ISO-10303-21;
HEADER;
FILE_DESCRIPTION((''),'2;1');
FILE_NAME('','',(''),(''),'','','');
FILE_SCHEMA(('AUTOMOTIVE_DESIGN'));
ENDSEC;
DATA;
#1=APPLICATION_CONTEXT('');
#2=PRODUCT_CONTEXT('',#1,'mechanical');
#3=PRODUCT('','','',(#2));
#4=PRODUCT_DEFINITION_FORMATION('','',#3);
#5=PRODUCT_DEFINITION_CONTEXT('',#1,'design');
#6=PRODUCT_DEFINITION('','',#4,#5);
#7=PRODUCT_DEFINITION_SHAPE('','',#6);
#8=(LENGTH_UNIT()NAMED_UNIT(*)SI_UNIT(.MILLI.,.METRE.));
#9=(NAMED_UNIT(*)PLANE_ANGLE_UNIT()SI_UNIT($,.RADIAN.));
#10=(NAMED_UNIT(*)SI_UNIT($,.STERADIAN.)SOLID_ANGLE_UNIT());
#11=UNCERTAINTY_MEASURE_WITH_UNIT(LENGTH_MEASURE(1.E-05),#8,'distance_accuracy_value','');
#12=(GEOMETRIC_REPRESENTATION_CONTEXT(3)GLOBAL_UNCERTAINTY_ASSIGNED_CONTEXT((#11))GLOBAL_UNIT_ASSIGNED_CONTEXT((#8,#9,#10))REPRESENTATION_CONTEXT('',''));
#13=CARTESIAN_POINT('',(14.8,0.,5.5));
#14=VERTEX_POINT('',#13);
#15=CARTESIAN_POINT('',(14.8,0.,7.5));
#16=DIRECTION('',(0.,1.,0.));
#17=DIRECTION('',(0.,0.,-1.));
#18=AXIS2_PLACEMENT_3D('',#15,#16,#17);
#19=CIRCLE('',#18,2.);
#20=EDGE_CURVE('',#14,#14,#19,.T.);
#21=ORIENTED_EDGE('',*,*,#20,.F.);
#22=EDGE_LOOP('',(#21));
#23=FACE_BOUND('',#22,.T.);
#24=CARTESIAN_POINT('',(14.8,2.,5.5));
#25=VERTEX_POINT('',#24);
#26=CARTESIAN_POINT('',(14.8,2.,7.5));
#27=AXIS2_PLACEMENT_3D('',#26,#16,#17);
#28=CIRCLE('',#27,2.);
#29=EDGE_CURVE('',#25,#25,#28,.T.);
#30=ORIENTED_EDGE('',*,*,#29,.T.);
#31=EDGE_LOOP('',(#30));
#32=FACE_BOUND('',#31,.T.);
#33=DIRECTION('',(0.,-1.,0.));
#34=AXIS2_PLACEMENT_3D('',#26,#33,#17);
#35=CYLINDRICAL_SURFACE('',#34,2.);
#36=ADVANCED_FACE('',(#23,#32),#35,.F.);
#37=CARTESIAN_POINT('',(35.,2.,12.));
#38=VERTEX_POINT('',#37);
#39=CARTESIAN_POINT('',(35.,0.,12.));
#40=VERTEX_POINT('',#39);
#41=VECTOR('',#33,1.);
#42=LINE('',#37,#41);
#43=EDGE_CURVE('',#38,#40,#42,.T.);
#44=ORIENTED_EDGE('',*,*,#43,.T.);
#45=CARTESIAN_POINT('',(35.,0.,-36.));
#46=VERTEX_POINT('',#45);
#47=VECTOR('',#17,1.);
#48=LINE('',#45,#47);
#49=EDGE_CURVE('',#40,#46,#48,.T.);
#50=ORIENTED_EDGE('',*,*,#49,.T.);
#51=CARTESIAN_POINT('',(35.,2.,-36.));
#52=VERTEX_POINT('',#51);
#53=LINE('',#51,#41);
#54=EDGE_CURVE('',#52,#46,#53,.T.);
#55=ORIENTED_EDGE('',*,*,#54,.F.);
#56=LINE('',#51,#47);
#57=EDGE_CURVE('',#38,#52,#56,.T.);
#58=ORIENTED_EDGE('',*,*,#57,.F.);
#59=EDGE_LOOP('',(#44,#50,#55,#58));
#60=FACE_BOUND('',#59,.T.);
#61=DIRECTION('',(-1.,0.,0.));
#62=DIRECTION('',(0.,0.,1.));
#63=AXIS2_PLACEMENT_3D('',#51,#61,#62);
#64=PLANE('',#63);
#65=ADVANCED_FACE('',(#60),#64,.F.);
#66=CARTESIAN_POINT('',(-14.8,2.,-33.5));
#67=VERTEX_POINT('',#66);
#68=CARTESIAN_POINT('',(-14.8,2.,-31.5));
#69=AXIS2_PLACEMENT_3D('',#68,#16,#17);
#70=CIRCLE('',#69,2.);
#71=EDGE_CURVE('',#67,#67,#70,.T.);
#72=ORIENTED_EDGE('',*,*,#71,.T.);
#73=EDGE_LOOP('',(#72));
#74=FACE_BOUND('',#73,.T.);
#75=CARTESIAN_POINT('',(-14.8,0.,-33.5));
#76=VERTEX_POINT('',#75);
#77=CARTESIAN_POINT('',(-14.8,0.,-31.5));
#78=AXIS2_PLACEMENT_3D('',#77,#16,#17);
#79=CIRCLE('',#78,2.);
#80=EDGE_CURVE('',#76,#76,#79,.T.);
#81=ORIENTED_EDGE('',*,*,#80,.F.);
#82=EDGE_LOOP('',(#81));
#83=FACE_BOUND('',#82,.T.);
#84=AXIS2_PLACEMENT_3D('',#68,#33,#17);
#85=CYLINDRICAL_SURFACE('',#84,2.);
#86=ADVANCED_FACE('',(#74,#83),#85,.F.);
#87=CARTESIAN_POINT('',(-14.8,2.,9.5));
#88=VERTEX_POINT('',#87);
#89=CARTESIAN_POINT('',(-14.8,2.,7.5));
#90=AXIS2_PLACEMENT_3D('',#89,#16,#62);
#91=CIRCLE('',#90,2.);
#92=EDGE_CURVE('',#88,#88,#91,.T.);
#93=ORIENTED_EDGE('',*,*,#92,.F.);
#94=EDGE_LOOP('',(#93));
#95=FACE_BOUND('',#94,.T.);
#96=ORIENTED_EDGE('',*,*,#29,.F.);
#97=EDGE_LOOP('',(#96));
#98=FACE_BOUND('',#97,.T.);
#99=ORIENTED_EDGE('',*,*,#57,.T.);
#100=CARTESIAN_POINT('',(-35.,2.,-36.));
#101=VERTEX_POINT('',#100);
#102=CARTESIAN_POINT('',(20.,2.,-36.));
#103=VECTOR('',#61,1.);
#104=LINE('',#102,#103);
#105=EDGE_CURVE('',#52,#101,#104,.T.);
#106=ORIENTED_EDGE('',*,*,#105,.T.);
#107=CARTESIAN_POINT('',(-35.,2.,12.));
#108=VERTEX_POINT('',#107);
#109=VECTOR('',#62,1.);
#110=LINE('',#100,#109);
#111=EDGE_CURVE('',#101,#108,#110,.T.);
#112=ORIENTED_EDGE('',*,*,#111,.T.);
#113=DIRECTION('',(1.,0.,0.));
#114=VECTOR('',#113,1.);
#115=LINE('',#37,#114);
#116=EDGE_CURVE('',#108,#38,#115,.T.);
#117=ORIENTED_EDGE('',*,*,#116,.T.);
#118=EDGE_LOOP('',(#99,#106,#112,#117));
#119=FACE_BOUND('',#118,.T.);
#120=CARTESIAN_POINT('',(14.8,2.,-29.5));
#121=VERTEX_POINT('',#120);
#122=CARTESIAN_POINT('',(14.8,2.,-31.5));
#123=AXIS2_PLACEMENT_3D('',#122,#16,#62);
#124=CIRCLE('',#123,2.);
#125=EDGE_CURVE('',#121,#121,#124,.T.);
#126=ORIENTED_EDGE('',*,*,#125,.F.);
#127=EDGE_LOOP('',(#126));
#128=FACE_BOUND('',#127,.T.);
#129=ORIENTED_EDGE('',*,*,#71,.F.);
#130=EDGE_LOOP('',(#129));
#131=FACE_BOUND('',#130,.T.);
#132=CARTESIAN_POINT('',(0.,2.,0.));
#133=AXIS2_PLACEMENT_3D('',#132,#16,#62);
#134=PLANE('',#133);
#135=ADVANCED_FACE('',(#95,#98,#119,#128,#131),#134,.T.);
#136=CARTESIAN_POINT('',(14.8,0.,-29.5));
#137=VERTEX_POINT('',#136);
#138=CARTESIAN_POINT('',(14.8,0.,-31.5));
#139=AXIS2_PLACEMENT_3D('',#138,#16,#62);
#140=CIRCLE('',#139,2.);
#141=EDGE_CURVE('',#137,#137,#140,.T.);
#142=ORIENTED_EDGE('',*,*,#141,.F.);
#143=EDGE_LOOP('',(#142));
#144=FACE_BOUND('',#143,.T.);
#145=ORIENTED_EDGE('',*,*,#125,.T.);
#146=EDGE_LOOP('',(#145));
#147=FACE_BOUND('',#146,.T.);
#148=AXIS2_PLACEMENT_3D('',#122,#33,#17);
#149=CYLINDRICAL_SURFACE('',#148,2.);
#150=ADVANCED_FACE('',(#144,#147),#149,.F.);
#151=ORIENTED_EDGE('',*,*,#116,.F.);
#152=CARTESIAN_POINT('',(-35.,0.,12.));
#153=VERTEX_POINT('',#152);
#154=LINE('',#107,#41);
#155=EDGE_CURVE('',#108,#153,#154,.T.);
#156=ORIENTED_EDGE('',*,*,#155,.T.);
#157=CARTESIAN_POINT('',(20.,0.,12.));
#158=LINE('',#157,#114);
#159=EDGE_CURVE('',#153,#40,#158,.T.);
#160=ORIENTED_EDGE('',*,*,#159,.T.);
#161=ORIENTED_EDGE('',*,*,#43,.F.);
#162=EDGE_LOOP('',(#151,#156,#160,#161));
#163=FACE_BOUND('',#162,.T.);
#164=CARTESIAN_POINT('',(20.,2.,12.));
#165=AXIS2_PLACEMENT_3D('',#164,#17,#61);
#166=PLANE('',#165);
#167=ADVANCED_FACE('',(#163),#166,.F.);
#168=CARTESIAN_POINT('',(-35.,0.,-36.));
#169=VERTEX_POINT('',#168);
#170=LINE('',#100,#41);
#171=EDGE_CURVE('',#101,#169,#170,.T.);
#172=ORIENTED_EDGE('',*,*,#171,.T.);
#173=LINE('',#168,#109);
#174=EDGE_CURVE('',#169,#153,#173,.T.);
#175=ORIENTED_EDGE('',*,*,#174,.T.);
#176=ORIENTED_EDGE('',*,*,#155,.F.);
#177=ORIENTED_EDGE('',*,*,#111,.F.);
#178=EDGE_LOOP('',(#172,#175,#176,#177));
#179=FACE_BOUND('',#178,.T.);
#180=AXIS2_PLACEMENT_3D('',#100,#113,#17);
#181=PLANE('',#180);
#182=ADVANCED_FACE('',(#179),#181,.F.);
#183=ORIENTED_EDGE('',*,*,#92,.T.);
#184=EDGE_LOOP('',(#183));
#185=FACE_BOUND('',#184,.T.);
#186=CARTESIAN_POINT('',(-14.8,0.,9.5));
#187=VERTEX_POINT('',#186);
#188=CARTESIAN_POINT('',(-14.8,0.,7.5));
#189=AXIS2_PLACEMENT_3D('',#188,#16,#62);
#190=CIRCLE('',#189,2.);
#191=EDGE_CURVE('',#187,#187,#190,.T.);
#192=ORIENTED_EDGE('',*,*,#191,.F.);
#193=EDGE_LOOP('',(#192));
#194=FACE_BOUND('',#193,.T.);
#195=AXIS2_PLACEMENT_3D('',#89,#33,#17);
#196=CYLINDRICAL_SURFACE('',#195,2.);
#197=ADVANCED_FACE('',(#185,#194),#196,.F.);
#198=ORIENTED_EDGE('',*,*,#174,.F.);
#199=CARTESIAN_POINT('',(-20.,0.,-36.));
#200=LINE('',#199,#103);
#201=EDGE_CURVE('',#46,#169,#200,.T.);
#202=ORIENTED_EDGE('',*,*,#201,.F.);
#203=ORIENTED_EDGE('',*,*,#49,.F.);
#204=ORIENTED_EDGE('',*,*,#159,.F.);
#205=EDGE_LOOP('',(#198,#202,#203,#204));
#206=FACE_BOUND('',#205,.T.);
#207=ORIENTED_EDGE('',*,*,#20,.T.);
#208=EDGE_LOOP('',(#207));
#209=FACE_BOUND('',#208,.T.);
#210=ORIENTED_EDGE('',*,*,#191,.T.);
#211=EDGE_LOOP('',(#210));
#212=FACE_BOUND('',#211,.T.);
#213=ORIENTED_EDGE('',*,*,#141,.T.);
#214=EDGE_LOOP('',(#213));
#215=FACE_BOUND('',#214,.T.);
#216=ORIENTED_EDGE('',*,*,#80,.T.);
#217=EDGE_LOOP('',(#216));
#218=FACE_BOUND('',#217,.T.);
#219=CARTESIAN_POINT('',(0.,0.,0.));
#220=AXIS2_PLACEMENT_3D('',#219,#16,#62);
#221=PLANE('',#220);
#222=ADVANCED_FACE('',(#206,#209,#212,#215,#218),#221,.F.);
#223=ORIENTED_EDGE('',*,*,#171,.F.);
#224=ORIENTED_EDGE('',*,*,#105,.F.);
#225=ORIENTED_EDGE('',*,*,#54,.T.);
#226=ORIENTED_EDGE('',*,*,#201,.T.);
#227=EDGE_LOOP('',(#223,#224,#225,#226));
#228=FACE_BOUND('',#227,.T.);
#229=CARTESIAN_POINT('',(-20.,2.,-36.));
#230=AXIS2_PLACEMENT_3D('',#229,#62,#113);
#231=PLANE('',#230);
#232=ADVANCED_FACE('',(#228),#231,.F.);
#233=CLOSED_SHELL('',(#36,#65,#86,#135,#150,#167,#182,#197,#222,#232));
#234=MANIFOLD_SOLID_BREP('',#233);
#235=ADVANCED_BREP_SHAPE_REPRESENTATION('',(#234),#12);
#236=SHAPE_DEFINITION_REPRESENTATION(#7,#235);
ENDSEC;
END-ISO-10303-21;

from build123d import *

# Parameters (mm, degrees)
SKETCH_1_R      = 2
EXTRUDE_1_DEPTH = 2


with BuildPart() as part:
    # 草图1 → 凸台-拉伸1 (new body)
    with BuildSketch(Plane(origin=(0, 0, 0), x_dir=(1, 0, 0), z_dir=(0, 1, 0))):
        Polygon((20, -12), (-20, -12), (-35, -12), (-35, 36), (-20, 36), (20, 36), (35, 36), (35, -12), align=None)
        with Locations((-14.8, -7.5)):
            Circle(SKETCH_1_R, mode=Mode.SUBTRACT)
        with Locations((14.8, -7.5)):
            Circle(SKETCH_1_R, mode=Mode.SUBTRACT)
        with Locations((14.8, 31.5)):
            Circle(SKETCH_1_R, mode=Mode.SUBTRACT)
        with Locations((-14.8, 31.5)):
            Circle(SKETCH_1_R, mode=Mode.SUBTRACT)
    extrude(amount=EXTRUDE_1_DEPTH)


solid = part.part
